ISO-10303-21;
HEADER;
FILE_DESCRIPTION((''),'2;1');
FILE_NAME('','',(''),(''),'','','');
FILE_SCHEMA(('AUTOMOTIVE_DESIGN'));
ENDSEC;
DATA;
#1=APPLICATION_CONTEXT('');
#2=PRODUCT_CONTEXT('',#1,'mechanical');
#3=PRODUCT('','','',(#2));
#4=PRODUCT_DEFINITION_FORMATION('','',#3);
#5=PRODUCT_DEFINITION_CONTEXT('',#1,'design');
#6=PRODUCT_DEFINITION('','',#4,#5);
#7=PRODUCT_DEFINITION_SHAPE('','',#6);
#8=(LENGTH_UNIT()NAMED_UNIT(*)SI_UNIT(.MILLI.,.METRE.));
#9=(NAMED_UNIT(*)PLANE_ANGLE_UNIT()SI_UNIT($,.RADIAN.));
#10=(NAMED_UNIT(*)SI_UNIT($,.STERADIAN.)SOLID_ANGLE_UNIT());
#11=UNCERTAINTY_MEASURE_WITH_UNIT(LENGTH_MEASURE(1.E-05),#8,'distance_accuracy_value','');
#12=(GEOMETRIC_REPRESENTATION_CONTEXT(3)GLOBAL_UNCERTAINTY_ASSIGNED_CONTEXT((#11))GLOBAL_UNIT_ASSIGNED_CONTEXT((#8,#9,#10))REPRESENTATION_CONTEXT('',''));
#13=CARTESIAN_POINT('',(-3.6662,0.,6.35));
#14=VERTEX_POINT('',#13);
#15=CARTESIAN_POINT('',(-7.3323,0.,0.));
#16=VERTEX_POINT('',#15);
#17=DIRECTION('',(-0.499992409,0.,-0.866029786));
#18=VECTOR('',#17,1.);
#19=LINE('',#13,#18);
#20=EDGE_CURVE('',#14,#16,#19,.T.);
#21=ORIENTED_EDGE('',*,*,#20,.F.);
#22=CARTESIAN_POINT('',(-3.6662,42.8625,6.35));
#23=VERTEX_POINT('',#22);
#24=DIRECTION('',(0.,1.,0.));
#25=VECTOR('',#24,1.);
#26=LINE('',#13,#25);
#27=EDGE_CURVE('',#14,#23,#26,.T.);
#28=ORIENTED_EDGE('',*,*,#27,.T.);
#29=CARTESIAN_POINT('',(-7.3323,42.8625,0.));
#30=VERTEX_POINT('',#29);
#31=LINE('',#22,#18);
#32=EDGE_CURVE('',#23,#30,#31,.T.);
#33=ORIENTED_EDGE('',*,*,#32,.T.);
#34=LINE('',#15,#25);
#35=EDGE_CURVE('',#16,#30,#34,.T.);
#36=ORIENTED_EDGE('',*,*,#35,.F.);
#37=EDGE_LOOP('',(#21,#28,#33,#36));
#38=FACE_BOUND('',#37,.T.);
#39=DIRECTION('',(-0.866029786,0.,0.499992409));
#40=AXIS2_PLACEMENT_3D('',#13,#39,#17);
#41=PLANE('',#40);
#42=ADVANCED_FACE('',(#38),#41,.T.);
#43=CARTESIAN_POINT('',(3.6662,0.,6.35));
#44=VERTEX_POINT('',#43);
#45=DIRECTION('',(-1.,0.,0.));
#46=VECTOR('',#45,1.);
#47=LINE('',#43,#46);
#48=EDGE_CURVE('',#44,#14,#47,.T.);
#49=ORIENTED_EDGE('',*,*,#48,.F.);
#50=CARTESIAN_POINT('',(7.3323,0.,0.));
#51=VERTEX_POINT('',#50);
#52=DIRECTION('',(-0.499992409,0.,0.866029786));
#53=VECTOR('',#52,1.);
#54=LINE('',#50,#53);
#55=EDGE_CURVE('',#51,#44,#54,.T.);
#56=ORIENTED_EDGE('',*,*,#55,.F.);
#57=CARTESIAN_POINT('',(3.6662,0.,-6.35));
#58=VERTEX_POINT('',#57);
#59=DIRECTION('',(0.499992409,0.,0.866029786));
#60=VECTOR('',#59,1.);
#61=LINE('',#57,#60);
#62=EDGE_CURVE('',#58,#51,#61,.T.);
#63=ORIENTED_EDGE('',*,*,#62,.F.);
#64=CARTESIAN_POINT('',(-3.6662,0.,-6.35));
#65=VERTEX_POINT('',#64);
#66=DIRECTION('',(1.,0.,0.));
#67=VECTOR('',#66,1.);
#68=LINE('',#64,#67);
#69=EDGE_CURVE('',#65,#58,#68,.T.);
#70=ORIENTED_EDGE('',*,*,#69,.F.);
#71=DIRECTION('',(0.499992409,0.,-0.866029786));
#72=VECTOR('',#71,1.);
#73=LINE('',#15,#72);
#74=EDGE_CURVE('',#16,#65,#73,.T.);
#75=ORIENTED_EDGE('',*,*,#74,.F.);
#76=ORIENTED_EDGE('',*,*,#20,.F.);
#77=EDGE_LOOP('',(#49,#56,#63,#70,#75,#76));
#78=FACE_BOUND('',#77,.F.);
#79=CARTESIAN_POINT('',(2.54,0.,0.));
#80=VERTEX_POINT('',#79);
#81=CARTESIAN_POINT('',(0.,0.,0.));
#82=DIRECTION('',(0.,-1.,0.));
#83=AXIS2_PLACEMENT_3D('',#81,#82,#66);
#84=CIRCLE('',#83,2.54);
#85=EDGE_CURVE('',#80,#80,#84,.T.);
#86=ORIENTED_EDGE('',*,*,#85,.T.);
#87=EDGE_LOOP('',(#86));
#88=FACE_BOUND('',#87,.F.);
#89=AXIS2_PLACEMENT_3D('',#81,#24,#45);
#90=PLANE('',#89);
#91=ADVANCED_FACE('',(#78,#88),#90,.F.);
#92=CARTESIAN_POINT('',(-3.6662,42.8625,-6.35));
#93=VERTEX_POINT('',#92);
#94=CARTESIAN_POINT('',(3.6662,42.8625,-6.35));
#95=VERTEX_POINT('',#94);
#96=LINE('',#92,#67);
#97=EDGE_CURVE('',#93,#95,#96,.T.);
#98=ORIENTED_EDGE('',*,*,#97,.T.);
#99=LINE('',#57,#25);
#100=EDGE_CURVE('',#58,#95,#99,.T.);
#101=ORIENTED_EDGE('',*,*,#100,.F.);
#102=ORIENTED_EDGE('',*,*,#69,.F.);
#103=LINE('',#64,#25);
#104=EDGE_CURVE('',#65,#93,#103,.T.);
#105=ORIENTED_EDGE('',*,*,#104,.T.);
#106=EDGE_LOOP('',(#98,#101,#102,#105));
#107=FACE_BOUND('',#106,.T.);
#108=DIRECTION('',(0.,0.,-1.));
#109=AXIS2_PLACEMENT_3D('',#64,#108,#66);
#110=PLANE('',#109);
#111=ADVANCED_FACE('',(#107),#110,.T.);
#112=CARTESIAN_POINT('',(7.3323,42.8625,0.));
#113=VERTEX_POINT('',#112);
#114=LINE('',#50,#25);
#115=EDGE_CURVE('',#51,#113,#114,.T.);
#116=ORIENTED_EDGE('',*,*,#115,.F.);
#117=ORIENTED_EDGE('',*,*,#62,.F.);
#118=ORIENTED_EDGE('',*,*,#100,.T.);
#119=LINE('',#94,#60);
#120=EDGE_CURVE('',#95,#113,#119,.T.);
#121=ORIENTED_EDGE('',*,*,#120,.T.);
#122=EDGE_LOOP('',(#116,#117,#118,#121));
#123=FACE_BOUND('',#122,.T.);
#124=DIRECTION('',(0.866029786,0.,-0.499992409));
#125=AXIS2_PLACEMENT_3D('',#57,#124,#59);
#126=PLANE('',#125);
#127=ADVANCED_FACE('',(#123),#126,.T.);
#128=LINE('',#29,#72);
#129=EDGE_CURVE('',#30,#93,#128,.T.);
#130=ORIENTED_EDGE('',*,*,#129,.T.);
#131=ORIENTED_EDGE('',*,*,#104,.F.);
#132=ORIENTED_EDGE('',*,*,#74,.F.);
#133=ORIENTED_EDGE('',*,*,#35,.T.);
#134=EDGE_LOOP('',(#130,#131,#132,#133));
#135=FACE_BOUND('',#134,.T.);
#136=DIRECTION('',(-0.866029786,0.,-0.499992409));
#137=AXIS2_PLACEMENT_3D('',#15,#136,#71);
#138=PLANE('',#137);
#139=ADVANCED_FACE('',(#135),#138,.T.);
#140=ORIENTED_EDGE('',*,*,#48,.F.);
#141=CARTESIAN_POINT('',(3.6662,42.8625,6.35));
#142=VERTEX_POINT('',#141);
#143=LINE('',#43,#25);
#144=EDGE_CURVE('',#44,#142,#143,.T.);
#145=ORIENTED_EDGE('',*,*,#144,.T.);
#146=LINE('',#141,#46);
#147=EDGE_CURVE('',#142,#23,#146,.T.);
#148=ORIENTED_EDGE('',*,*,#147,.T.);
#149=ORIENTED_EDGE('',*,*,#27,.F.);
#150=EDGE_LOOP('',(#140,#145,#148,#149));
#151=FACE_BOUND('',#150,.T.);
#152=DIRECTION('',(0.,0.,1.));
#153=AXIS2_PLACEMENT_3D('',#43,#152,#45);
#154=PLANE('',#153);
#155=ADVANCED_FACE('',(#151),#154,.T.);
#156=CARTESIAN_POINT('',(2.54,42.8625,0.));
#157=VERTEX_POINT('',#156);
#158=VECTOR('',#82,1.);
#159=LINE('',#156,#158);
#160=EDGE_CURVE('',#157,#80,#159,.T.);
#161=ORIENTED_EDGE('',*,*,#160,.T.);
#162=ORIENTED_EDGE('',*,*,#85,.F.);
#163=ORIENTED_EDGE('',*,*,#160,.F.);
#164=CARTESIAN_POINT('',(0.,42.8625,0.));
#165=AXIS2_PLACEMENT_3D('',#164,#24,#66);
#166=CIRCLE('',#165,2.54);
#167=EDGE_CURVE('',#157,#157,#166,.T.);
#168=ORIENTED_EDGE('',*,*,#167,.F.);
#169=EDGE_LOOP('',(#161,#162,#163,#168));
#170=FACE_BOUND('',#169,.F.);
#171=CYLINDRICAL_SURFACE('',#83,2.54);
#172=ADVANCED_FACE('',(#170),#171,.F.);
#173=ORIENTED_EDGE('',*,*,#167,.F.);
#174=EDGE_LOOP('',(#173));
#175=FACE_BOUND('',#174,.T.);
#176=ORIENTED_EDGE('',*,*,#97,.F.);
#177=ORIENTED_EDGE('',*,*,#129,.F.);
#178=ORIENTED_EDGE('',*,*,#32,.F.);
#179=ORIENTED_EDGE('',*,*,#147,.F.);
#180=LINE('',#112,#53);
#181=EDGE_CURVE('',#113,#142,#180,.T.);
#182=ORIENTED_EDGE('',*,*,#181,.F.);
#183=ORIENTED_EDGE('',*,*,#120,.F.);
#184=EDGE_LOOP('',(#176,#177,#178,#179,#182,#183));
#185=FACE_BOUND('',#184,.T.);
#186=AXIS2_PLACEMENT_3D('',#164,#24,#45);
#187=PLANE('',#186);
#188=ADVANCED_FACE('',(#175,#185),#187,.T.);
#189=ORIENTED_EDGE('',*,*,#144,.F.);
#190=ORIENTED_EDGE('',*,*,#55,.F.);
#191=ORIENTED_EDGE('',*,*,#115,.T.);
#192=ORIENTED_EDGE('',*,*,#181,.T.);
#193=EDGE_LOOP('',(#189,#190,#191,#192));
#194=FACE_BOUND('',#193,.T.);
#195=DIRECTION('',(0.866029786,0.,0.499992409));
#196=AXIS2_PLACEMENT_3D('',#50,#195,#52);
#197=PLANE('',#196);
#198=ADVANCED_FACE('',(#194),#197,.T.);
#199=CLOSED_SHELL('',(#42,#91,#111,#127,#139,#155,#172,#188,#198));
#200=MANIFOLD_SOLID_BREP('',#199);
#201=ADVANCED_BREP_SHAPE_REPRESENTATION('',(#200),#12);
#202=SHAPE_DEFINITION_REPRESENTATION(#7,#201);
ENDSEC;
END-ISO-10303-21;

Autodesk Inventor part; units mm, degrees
ref_plane "YZ Plane" through (0, 0, 0) normal (1, 0, 0) x (0, 1, 0)
ref_plane "XZ Plane" through (0, 0, 0) normal (0, 1, 0) x (-1, 0, 0)
ref_plane "XY Plane" through (0, 0, 0) normal (0, 0, 1) x (1, 0, 0)
sketch "Sketch1" plane through (0, 0, 0) normal (0, 1, 0) x (-1, 0, 0)
  line L0 (-3.6662, 6.35) -> (3.6662, 6.35)
  line L1 (3.6662, 6.35) -> (7.3323, 0)
  line L2 (7.3323, 0) -> (3.6662, -6.35)
  line L3 (3.6662, -6.35) -> (-3.6662, -6.35)
  line L4 (-3.6662, -6.35) -> (-7.3323, 0)
  line L5 (-7.3323, 0) -> (-3.6662, 6.35)
  point P0 (0, 0)
  point P1 (0, 0)
  dimension "d0" = 12.7
extrude "Extrusion1" add sketch "Sketch1" along normal blind 42.8625
sketch "Sketch2" plane through (0, 42.8625, 0) normal (0, 1, 0) x (1, 0, 0)
  circle A0 centre (0, 0) radius 2.54
  dimension "d3" = 5.08
extrude "Extrusion2" cut sketch "Sketch2" against normal blind 25.4
thread "Thread1" size "1/4-20 UNC" class "2B" standard "ANSI Unified Screw Threads" full length
sketch "Sketch3" plane through (0, 0, 0) normal (0, -1, 0) x (1, 0, 0)
  circle A0 centre (0, 0) radius 2.54
  dimension "d8" = 5.08
extrude "Extrusion3" cut sketch "Sketch3" against normal blind 25.4
thread "Thread2" size "1/4-20 UNC" class "2B" standard "ANSI Unified Screw Threads" full length
properties part number "OUTK_016_Shaft4" material "Aluminum 6061"
